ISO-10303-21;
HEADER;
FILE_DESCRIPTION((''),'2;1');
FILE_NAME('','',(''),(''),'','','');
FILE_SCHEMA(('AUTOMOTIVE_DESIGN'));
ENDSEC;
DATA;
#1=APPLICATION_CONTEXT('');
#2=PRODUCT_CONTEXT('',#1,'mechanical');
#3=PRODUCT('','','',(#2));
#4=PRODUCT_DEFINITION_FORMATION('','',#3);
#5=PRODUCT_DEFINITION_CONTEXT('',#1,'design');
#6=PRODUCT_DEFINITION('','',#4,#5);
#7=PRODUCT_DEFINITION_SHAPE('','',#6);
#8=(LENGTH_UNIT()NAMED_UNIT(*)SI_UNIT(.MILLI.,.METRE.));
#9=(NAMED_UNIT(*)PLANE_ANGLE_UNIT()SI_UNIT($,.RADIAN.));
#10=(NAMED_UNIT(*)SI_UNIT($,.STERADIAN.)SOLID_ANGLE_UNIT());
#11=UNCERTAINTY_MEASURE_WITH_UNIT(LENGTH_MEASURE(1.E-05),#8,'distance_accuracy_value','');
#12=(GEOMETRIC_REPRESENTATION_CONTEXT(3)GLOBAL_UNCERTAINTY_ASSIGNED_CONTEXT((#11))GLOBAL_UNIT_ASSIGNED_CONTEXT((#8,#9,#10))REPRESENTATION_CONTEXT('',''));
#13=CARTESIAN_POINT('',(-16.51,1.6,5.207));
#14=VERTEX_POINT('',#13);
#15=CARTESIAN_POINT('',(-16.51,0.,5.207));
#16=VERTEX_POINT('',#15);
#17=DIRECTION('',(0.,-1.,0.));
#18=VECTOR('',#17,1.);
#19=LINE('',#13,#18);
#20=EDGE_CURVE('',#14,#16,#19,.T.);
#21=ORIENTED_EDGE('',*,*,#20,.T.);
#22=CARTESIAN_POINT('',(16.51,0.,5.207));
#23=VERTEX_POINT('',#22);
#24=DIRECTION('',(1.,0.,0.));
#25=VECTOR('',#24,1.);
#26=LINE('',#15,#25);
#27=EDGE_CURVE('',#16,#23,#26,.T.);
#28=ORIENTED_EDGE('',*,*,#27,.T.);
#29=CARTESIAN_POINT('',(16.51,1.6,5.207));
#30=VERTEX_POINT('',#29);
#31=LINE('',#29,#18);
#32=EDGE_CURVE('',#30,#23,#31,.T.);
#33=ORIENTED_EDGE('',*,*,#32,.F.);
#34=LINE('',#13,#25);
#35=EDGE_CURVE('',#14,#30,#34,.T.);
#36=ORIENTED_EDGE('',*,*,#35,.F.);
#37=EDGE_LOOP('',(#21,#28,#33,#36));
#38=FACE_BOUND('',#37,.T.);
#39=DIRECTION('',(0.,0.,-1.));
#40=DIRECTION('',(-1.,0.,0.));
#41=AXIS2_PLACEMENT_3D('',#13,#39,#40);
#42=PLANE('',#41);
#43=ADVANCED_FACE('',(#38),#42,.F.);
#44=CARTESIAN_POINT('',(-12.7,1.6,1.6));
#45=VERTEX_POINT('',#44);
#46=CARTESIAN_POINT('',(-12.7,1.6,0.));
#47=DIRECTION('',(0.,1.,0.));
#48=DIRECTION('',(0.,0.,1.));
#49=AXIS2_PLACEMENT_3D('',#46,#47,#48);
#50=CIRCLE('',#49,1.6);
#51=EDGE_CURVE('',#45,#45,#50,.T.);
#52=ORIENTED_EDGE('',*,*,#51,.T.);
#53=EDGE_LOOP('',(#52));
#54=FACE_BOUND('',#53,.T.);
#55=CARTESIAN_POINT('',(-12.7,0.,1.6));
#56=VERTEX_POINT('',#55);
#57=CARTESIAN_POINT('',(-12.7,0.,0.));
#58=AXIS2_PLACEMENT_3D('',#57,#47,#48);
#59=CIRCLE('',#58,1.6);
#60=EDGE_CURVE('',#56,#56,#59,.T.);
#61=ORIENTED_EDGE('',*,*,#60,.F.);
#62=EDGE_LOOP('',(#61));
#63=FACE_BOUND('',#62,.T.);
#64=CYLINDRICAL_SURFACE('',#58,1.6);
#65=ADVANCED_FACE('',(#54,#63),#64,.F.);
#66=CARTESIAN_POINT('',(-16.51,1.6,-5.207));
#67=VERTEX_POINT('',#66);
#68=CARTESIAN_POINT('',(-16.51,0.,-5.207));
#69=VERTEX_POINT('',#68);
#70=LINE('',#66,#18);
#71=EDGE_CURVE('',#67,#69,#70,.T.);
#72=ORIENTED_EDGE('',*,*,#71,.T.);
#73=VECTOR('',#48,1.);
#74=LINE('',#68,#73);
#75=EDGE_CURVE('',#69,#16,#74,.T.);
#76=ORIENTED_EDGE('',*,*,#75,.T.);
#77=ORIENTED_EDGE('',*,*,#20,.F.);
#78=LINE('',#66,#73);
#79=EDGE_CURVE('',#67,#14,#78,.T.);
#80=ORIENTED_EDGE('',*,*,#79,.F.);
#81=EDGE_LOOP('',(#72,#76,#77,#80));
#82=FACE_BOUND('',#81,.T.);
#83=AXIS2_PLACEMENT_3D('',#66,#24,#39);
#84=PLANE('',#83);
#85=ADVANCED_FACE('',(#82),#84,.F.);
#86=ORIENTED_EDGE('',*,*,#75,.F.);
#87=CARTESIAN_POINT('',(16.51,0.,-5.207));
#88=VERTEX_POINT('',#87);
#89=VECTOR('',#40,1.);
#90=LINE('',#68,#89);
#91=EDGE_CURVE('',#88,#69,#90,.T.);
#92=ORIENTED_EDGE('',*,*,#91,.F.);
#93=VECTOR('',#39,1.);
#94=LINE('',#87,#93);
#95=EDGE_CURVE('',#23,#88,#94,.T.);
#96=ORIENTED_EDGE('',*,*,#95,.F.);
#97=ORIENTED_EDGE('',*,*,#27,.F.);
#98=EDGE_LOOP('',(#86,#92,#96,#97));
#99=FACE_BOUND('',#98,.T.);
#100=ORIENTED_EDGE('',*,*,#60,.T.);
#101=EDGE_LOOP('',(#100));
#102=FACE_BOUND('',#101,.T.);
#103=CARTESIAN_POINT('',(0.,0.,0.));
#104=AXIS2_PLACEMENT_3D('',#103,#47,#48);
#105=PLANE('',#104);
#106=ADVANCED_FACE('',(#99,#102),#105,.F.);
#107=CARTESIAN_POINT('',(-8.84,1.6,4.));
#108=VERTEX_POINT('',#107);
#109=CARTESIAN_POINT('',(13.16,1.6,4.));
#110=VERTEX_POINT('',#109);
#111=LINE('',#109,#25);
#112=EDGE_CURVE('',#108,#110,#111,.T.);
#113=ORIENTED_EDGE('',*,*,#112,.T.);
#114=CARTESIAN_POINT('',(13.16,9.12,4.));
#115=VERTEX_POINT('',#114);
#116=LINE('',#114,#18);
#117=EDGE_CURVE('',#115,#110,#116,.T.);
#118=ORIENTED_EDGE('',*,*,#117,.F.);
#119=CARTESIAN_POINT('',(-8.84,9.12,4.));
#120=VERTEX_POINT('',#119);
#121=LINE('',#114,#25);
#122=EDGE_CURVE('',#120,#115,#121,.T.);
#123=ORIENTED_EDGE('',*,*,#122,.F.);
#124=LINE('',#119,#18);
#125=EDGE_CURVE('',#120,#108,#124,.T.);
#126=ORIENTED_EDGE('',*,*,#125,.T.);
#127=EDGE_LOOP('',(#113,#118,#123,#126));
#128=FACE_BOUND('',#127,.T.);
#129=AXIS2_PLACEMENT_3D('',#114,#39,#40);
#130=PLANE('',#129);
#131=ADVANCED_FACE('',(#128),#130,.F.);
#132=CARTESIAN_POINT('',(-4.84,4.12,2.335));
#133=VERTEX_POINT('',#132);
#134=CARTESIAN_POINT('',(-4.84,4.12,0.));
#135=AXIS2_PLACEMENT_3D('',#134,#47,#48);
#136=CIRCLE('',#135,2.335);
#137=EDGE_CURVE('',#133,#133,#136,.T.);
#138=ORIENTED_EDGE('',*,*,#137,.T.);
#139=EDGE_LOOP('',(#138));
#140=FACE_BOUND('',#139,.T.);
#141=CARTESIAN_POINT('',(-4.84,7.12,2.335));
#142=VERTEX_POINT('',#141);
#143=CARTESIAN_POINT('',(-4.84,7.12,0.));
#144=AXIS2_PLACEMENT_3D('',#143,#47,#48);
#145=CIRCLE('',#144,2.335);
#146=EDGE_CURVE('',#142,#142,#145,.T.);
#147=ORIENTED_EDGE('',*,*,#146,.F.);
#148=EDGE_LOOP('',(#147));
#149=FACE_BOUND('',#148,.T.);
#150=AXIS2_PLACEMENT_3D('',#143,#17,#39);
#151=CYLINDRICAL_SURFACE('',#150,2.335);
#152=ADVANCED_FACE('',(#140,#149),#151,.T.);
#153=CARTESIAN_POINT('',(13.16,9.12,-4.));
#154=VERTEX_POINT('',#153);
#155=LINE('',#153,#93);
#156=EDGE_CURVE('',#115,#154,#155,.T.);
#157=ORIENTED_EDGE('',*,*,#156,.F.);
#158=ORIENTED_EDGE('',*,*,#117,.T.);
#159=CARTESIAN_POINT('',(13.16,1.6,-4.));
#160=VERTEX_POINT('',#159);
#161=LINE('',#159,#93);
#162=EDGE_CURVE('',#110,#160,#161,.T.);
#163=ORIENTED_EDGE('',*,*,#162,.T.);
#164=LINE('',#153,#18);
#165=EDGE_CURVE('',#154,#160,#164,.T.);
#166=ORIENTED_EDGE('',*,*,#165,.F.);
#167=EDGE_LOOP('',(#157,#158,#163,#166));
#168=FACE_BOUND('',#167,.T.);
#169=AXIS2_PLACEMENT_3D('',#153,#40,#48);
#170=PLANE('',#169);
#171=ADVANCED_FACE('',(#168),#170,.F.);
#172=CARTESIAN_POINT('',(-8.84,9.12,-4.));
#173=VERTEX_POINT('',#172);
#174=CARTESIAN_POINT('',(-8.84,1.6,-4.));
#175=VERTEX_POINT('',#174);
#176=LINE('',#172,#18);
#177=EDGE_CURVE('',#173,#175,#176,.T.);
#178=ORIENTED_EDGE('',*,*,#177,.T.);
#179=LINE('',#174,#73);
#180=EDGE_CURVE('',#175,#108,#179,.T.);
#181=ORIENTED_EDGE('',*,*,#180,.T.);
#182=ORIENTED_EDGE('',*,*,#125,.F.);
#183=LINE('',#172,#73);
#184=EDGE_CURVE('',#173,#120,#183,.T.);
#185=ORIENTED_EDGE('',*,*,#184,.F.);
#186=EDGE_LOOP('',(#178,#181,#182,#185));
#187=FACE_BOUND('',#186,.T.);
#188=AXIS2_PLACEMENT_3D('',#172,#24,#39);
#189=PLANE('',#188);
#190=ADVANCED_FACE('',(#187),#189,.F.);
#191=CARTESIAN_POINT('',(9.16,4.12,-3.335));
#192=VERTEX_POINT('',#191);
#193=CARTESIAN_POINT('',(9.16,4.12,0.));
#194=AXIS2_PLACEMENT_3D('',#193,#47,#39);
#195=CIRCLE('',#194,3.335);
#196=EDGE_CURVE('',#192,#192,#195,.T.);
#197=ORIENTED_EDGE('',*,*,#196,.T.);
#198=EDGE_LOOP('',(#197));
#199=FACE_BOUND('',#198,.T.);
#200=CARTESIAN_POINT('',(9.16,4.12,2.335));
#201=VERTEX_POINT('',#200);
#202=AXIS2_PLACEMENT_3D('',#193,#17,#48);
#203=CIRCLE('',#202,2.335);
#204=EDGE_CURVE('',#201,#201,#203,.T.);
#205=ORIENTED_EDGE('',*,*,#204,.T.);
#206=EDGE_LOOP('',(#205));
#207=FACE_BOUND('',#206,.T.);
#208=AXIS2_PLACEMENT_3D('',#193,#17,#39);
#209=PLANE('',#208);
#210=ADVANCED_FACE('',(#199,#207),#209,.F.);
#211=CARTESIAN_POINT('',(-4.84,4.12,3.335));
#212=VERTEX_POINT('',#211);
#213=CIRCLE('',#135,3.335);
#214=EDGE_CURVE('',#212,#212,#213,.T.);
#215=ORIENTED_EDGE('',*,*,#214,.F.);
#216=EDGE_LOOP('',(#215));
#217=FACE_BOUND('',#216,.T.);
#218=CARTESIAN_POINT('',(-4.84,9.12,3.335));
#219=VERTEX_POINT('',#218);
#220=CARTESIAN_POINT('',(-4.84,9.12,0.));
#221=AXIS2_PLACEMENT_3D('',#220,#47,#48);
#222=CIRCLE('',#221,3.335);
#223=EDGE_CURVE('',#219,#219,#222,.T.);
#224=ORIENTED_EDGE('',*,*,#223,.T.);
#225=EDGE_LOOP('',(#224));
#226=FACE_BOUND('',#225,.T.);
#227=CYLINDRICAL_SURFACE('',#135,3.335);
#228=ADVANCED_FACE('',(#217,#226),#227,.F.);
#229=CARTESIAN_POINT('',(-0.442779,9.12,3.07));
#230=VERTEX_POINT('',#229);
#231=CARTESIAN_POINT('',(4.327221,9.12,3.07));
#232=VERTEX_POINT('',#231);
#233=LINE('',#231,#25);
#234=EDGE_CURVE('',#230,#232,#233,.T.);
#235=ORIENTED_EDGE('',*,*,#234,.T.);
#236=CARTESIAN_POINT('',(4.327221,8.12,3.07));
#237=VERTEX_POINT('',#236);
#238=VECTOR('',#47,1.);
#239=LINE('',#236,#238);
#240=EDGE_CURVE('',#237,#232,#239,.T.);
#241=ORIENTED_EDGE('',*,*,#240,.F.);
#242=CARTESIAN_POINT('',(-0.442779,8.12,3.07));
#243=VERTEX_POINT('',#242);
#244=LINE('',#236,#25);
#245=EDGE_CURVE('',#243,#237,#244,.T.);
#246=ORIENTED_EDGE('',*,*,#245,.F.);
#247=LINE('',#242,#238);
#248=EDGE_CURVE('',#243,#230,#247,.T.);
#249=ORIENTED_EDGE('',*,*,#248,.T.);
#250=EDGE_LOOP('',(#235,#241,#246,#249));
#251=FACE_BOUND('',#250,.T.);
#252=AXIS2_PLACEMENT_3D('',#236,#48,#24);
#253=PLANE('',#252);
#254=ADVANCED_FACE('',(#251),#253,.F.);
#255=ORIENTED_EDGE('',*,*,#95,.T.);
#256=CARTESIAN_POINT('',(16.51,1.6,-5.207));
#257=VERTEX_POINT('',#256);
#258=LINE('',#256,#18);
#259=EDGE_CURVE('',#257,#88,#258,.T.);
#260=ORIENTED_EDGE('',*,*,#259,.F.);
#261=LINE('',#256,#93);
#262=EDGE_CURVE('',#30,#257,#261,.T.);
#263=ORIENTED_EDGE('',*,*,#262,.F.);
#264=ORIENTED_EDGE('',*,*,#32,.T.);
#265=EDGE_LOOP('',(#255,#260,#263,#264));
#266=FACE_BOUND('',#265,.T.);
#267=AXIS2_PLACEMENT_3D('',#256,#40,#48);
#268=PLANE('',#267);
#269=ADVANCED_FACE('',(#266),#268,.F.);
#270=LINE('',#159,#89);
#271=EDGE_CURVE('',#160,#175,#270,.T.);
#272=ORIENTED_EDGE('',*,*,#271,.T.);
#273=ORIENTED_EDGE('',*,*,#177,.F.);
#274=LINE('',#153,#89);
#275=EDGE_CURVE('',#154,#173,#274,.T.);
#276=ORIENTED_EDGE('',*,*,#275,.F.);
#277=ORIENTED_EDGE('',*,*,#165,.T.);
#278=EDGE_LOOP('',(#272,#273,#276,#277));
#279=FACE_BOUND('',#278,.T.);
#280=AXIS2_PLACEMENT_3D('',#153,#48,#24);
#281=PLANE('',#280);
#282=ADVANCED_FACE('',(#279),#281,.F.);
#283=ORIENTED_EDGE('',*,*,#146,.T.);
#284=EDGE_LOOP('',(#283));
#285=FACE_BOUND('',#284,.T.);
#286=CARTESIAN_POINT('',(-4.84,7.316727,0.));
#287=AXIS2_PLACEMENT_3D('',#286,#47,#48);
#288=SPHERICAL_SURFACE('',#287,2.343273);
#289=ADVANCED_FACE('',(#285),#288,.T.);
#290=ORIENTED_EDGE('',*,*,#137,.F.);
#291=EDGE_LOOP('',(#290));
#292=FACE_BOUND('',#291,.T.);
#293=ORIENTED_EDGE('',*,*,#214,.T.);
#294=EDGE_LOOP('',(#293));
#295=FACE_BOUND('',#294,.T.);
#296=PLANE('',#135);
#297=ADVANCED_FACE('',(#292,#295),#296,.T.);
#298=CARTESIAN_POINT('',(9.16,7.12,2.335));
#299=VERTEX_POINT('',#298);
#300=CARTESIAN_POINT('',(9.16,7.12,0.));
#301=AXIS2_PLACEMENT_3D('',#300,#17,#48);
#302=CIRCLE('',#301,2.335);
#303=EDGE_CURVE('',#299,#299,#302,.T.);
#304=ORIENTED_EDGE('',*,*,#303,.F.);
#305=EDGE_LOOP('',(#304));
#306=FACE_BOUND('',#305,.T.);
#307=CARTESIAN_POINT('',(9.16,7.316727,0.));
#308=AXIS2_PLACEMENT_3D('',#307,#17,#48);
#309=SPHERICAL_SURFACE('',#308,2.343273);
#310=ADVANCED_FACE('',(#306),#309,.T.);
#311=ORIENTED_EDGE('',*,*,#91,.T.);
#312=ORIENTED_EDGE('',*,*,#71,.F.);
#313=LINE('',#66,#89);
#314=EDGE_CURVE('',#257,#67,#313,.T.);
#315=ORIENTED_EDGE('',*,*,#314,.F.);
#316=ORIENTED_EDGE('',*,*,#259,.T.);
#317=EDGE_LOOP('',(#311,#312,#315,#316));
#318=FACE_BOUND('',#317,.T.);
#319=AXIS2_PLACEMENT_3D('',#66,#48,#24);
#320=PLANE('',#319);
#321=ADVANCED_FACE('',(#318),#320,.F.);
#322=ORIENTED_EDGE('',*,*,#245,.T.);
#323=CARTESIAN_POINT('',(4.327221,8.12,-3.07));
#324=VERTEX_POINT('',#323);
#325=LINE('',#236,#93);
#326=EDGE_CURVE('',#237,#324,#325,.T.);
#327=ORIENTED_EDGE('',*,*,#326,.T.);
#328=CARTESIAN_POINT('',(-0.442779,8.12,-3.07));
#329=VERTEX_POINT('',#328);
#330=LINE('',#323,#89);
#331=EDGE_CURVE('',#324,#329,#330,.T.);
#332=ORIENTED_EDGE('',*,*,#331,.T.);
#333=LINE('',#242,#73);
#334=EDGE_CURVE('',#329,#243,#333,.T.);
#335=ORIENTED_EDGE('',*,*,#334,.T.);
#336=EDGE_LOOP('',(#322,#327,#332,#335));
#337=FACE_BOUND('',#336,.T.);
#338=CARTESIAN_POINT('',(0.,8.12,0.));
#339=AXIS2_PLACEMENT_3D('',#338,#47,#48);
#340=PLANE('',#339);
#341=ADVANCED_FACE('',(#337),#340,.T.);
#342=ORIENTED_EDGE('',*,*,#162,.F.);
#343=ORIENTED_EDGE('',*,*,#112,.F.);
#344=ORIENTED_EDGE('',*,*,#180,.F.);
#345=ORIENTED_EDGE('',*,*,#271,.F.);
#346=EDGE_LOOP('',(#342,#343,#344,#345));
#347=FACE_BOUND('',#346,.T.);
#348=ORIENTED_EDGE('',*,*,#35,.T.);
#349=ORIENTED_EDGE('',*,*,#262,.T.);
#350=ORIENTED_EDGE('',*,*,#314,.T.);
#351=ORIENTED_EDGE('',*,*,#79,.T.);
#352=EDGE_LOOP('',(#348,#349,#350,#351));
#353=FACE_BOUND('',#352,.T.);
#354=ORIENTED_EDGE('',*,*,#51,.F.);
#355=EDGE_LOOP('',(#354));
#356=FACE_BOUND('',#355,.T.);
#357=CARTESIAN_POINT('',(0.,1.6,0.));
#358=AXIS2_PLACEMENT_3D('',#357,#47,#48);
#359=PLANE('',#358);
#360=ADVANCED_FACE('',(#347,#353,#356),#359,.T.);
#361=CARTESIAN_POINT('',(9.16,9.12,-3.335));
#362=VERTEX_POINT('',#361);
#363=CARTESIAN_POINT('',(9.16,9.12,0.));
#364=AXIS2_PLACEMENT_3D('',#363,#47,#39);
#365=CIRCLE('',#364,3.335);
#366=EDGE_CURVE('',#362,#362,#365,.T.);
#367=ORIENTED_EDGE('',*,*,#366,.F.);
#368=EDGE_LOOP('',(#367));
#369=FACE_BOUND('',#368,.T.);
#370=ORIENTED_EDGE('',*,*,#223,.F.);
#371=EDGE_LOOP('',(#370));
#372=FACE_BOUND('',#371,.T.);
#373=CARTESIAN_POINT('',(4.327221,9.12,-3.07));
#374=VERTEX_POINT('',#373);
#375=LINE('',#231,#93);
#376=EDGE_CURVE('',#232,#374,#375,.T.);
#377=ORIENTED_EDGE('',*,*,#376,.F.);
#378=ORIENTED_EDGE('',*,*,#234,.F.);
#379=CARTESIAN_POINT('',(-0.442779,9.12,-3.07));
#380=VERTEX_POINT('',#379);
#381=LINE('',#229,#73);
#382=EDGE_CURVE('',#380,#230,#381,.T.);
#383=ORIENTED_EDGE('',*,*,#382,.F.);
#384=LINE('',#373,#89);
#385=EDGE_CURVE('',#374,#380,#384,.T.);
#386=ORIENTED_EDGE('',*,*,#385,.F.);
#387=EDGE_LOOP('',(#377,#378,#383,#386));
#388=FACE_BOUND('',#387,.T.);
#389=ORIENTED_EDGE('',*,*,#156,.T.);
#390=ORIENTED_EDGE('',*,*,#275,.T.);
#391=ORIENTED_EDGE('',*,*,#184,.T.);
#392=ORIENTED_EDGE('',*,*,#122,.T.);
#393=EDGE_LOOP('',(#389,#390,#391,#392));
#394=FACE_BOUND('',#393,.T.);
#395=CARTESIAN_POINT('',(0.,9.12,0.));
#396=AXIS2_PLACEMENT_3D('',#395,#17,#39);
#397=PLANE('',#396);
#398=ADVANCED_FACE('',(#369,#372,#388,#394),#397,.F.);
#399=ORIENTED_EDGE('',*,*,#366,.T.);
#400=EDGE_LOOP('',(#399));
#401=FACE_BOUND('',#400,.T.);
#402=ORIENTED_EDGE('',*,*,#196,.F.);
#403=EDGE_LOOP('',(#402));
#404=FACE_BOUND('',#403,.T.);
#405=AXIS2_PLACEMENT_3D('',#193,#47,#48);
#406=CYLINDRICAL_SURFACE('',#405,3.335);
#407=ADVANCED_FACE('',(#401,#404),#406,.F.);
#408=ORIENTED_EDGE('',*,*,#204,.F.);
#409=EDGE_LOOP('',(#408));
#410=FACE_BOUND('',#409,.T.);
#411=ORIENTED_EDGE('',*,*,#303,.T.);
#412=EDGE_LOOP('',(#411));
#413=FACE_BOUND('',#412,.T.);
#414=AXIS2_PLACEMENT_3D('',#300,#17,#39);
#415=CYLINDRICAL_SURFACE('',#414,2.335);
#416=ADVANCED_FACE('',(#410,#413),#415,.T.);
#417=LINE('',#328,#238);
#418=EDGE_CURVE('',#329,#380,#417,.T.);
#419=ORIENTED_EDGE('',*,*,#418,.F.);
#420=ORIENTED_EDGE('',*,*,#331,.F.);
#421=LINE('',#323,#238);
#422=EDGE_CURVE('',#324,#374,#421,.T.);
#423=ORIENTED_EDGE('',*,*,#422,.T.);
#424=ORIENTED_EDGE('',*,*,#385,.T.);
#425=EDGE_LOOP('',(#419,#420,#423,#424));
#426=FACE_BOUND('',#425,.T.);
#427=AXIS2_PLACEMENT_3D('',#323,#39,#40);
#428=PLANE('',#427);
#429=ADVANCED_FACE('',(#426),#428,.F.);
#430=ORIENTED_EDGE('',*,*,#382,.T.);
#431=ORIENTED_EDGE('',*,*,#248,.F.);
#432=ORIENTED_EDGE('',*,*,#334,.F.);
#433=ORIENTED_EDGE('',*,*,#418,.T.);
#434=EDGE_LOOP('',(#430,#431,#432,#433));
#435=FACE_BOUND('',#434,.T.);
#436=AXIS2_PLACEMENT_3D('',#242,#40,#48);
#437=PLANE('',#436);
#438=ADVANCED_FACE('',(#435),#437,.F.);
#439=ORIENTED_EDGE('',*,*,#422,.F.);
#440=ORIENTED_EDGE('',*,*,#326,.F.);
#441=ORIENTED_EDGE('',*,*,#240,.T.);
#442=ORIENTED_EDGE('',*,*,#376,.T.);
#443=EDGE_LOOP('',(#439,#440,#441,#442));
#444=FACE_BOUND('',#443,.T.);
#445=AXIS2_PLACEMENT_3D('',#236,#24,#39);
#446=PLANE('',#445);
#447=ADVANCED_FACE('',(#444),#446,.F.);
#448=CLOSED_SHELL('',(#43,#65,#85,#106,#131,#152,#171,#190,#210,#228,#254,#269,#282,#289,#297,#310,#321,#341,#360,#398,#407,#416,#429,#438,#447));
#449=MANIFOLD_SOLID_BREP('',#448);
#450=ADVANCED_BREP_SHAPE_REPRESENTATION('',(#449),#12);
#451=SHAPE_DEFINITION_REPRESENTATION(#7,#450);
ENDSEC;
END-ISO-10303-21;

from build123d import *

# Parameters (mm, degrees)
SKETCH1_W                  = 33.02
SKETCH1_H                  = 10.414
BOSS_EXTRUDE1_DEPTH        = 1.6
SKETCH2_R                  = 1.6
CUT_EXTRUDE1_DEPTH         = 18.385423463
SKETCH3_W                  = 22
SKETCH3_H                  = 8
BOSS_EXTRUDE2_DEPTH        = 7.52
SKETCH5_R                  = 3.335
CUT_EXTRUDE2_DEPTH         = 5
SKETCH6_R                  = 2.334999968
BOSS_EXTRUDE3_DEPTH        = 3
DOME1_FACE_RADIUS          = 2.334999968
DOME1_HEIGHT               = 2.54
MIRROR1_COPY_1_FACE_RADIUS = 2.334999968
MIRROR1_COPY_1_HEIGHT      = 2.54
SKETCH7_W                  = 4.77
SKETCH7_H                  = 6.139999912
CUT_EXTRUDE3_DEPTH         = 1


with BuildPart() as part:
    # Sketch1 → Boss-Extrude1 (new body)
    with BuildSketch(Plane(origin=(0, 0, 0), x_dir=(1, 0, 0), z_dir=(0, 1, 0))):
        Rectangle(SKETCH1_W, SKETCH1_H)
    extrude(amount=BOSS_EXTRUDE1_DEPTH)

    # Sketch2 → Cut-Extrude1 (cut, through all)
    with BuildSketch(Plane(origin=(0, 1.6, 0), x_dir=(1, 0, 0), z_dir=(0, 1, 0))):
        with Locations(Location((-12.7, 0, 0), (0, 0, 270))):
            Circle(SKETCH2_R)
    extrude(amount=-CUT_EXTRUDE1_DEPTH, mode=Mode.SUBTRACT)

    # Sketch3 → Boss-Extrude2 (add)
    with BuildSketch(Plane(origin=(0, 1.6, 0), x_dir=(1, 0, 0), z_dir=(0, 1, 0))):
        with Locations((2.16, 0)):
            Rectangle(SKETCH3_W, SKETCH3_H)
    extrude(amount=BOSS_EXTRUDE2_DEPTH)

    # Sketch5 → Cut-Extrude2 (cut)
    with BuildSketch(Plane(origin=(0, 9.12, 0), x_dir=(1, 0, 0), z_dir=(0, 1, 0))):
        with Locations(Location((-4.84, 0, 0), (0, 0, 270))):
            Circle(SKETCH5_R)
        with Locations(Location((9.16, 0, 0), (0, 0, 90))):
            Circle(SKETCH5_R)
    extrude(amount=-CUT_EXTRUDE2_DEPTH, mode=Mode.SUBTRACT)

    # Sketch6 → Boss-Extrude3 (add)
    with BuildSketch(Plane(origin=(0, 4.12, 0), x_dir=(1, 0, 0), z_dir=(0, 1, 0))):
        with Locations(Location((-4.84, 0, 0), (0, 0, 270))):
            Circle(SKETCH6_R)
    boss_extrude3 = extrude(amount=BOSS_EXTRUDE3_DEPTH)

    # Dome1: a dome of height H over a round flat face of radius A is a cap of a sphere of radius (A * A + H * H) / (2 * H)
    dome1_r = (DOME1_FACE_RADIUS * DOME1_FACE_RADIUS + DOME1_HEIGHT * DOME1_HEIGHT) / (2 * DOME1_HEIGHT)
    dome1_base = Plane((-4.84, 7.12, 0), z_dir=(0, 1, 0))
    with Locations(dome1_base.offset(DOME1_HEIGHT - dome1_r)):
        dome1_ball = Sphere(dome1_r, mode=Mode.PRIVATE)
    add(split(dome1_ball, bisect_by=dome1_base, keep=Keep.TOP, mode=Mode.PRIVATE))

    # Mirror1: Boss-Extrude3 across plane
    add(boss_extrude3.mirror(Plane(origin=(2.16, 0, 0), x_dir=(0, 0, 1), z_dir=(1, 0, 0))))

    # Mirror1 copy 1: a dome of height H over a round flat face of radius A is a cap of a sphere of radius (A * A + H * H) / (2 * H)
    mirror1_copy_1_r = (MIRROR1_COPY_1_FACE_RADIUS * MIRROR1_COPY_1_FACE_RADIUS + MIRROR1_COPY_1_HEIGHT * MIRROR1_COPY_1_HEIGHT) / (2 * MIRROR1_COPY_1_HEIGHT)
    mirror1_copy_1_base = Plane((9.16, 7.12, 0), z_dir=(0, 1, 0))
    with Locations(mirror1_copy_1_base.offset(MIRROR1_COPY_1_HEIGHT - mirror1_copy_1_r)):
        mirror1_copy_1_ball = Sphere(mirror1_copy_1_r, mode=Mode.PRIVATE)
    add(split(mirror1_copy_1_ball, bisect_by=mirror1_copy_1_base, keep=Keep.TOP, mode=Mode.PRIVATE))

    # Sketch7 → Cut-Extrude3 (cut)
    with BuildSketch(Plane(origin=(0, 9.12, 0), x_dir=(1, 0, 0), z_dir=(0, 1, 0))):
        with Locations((1.942220891, 0)):
            Rectangle(SKETCH7_W, SKETCH7_H)
    extrude(amount=-CUT_EXTRUDE3_DEPTH, mode=Mode.SUBTRACT)


solid = part.part
